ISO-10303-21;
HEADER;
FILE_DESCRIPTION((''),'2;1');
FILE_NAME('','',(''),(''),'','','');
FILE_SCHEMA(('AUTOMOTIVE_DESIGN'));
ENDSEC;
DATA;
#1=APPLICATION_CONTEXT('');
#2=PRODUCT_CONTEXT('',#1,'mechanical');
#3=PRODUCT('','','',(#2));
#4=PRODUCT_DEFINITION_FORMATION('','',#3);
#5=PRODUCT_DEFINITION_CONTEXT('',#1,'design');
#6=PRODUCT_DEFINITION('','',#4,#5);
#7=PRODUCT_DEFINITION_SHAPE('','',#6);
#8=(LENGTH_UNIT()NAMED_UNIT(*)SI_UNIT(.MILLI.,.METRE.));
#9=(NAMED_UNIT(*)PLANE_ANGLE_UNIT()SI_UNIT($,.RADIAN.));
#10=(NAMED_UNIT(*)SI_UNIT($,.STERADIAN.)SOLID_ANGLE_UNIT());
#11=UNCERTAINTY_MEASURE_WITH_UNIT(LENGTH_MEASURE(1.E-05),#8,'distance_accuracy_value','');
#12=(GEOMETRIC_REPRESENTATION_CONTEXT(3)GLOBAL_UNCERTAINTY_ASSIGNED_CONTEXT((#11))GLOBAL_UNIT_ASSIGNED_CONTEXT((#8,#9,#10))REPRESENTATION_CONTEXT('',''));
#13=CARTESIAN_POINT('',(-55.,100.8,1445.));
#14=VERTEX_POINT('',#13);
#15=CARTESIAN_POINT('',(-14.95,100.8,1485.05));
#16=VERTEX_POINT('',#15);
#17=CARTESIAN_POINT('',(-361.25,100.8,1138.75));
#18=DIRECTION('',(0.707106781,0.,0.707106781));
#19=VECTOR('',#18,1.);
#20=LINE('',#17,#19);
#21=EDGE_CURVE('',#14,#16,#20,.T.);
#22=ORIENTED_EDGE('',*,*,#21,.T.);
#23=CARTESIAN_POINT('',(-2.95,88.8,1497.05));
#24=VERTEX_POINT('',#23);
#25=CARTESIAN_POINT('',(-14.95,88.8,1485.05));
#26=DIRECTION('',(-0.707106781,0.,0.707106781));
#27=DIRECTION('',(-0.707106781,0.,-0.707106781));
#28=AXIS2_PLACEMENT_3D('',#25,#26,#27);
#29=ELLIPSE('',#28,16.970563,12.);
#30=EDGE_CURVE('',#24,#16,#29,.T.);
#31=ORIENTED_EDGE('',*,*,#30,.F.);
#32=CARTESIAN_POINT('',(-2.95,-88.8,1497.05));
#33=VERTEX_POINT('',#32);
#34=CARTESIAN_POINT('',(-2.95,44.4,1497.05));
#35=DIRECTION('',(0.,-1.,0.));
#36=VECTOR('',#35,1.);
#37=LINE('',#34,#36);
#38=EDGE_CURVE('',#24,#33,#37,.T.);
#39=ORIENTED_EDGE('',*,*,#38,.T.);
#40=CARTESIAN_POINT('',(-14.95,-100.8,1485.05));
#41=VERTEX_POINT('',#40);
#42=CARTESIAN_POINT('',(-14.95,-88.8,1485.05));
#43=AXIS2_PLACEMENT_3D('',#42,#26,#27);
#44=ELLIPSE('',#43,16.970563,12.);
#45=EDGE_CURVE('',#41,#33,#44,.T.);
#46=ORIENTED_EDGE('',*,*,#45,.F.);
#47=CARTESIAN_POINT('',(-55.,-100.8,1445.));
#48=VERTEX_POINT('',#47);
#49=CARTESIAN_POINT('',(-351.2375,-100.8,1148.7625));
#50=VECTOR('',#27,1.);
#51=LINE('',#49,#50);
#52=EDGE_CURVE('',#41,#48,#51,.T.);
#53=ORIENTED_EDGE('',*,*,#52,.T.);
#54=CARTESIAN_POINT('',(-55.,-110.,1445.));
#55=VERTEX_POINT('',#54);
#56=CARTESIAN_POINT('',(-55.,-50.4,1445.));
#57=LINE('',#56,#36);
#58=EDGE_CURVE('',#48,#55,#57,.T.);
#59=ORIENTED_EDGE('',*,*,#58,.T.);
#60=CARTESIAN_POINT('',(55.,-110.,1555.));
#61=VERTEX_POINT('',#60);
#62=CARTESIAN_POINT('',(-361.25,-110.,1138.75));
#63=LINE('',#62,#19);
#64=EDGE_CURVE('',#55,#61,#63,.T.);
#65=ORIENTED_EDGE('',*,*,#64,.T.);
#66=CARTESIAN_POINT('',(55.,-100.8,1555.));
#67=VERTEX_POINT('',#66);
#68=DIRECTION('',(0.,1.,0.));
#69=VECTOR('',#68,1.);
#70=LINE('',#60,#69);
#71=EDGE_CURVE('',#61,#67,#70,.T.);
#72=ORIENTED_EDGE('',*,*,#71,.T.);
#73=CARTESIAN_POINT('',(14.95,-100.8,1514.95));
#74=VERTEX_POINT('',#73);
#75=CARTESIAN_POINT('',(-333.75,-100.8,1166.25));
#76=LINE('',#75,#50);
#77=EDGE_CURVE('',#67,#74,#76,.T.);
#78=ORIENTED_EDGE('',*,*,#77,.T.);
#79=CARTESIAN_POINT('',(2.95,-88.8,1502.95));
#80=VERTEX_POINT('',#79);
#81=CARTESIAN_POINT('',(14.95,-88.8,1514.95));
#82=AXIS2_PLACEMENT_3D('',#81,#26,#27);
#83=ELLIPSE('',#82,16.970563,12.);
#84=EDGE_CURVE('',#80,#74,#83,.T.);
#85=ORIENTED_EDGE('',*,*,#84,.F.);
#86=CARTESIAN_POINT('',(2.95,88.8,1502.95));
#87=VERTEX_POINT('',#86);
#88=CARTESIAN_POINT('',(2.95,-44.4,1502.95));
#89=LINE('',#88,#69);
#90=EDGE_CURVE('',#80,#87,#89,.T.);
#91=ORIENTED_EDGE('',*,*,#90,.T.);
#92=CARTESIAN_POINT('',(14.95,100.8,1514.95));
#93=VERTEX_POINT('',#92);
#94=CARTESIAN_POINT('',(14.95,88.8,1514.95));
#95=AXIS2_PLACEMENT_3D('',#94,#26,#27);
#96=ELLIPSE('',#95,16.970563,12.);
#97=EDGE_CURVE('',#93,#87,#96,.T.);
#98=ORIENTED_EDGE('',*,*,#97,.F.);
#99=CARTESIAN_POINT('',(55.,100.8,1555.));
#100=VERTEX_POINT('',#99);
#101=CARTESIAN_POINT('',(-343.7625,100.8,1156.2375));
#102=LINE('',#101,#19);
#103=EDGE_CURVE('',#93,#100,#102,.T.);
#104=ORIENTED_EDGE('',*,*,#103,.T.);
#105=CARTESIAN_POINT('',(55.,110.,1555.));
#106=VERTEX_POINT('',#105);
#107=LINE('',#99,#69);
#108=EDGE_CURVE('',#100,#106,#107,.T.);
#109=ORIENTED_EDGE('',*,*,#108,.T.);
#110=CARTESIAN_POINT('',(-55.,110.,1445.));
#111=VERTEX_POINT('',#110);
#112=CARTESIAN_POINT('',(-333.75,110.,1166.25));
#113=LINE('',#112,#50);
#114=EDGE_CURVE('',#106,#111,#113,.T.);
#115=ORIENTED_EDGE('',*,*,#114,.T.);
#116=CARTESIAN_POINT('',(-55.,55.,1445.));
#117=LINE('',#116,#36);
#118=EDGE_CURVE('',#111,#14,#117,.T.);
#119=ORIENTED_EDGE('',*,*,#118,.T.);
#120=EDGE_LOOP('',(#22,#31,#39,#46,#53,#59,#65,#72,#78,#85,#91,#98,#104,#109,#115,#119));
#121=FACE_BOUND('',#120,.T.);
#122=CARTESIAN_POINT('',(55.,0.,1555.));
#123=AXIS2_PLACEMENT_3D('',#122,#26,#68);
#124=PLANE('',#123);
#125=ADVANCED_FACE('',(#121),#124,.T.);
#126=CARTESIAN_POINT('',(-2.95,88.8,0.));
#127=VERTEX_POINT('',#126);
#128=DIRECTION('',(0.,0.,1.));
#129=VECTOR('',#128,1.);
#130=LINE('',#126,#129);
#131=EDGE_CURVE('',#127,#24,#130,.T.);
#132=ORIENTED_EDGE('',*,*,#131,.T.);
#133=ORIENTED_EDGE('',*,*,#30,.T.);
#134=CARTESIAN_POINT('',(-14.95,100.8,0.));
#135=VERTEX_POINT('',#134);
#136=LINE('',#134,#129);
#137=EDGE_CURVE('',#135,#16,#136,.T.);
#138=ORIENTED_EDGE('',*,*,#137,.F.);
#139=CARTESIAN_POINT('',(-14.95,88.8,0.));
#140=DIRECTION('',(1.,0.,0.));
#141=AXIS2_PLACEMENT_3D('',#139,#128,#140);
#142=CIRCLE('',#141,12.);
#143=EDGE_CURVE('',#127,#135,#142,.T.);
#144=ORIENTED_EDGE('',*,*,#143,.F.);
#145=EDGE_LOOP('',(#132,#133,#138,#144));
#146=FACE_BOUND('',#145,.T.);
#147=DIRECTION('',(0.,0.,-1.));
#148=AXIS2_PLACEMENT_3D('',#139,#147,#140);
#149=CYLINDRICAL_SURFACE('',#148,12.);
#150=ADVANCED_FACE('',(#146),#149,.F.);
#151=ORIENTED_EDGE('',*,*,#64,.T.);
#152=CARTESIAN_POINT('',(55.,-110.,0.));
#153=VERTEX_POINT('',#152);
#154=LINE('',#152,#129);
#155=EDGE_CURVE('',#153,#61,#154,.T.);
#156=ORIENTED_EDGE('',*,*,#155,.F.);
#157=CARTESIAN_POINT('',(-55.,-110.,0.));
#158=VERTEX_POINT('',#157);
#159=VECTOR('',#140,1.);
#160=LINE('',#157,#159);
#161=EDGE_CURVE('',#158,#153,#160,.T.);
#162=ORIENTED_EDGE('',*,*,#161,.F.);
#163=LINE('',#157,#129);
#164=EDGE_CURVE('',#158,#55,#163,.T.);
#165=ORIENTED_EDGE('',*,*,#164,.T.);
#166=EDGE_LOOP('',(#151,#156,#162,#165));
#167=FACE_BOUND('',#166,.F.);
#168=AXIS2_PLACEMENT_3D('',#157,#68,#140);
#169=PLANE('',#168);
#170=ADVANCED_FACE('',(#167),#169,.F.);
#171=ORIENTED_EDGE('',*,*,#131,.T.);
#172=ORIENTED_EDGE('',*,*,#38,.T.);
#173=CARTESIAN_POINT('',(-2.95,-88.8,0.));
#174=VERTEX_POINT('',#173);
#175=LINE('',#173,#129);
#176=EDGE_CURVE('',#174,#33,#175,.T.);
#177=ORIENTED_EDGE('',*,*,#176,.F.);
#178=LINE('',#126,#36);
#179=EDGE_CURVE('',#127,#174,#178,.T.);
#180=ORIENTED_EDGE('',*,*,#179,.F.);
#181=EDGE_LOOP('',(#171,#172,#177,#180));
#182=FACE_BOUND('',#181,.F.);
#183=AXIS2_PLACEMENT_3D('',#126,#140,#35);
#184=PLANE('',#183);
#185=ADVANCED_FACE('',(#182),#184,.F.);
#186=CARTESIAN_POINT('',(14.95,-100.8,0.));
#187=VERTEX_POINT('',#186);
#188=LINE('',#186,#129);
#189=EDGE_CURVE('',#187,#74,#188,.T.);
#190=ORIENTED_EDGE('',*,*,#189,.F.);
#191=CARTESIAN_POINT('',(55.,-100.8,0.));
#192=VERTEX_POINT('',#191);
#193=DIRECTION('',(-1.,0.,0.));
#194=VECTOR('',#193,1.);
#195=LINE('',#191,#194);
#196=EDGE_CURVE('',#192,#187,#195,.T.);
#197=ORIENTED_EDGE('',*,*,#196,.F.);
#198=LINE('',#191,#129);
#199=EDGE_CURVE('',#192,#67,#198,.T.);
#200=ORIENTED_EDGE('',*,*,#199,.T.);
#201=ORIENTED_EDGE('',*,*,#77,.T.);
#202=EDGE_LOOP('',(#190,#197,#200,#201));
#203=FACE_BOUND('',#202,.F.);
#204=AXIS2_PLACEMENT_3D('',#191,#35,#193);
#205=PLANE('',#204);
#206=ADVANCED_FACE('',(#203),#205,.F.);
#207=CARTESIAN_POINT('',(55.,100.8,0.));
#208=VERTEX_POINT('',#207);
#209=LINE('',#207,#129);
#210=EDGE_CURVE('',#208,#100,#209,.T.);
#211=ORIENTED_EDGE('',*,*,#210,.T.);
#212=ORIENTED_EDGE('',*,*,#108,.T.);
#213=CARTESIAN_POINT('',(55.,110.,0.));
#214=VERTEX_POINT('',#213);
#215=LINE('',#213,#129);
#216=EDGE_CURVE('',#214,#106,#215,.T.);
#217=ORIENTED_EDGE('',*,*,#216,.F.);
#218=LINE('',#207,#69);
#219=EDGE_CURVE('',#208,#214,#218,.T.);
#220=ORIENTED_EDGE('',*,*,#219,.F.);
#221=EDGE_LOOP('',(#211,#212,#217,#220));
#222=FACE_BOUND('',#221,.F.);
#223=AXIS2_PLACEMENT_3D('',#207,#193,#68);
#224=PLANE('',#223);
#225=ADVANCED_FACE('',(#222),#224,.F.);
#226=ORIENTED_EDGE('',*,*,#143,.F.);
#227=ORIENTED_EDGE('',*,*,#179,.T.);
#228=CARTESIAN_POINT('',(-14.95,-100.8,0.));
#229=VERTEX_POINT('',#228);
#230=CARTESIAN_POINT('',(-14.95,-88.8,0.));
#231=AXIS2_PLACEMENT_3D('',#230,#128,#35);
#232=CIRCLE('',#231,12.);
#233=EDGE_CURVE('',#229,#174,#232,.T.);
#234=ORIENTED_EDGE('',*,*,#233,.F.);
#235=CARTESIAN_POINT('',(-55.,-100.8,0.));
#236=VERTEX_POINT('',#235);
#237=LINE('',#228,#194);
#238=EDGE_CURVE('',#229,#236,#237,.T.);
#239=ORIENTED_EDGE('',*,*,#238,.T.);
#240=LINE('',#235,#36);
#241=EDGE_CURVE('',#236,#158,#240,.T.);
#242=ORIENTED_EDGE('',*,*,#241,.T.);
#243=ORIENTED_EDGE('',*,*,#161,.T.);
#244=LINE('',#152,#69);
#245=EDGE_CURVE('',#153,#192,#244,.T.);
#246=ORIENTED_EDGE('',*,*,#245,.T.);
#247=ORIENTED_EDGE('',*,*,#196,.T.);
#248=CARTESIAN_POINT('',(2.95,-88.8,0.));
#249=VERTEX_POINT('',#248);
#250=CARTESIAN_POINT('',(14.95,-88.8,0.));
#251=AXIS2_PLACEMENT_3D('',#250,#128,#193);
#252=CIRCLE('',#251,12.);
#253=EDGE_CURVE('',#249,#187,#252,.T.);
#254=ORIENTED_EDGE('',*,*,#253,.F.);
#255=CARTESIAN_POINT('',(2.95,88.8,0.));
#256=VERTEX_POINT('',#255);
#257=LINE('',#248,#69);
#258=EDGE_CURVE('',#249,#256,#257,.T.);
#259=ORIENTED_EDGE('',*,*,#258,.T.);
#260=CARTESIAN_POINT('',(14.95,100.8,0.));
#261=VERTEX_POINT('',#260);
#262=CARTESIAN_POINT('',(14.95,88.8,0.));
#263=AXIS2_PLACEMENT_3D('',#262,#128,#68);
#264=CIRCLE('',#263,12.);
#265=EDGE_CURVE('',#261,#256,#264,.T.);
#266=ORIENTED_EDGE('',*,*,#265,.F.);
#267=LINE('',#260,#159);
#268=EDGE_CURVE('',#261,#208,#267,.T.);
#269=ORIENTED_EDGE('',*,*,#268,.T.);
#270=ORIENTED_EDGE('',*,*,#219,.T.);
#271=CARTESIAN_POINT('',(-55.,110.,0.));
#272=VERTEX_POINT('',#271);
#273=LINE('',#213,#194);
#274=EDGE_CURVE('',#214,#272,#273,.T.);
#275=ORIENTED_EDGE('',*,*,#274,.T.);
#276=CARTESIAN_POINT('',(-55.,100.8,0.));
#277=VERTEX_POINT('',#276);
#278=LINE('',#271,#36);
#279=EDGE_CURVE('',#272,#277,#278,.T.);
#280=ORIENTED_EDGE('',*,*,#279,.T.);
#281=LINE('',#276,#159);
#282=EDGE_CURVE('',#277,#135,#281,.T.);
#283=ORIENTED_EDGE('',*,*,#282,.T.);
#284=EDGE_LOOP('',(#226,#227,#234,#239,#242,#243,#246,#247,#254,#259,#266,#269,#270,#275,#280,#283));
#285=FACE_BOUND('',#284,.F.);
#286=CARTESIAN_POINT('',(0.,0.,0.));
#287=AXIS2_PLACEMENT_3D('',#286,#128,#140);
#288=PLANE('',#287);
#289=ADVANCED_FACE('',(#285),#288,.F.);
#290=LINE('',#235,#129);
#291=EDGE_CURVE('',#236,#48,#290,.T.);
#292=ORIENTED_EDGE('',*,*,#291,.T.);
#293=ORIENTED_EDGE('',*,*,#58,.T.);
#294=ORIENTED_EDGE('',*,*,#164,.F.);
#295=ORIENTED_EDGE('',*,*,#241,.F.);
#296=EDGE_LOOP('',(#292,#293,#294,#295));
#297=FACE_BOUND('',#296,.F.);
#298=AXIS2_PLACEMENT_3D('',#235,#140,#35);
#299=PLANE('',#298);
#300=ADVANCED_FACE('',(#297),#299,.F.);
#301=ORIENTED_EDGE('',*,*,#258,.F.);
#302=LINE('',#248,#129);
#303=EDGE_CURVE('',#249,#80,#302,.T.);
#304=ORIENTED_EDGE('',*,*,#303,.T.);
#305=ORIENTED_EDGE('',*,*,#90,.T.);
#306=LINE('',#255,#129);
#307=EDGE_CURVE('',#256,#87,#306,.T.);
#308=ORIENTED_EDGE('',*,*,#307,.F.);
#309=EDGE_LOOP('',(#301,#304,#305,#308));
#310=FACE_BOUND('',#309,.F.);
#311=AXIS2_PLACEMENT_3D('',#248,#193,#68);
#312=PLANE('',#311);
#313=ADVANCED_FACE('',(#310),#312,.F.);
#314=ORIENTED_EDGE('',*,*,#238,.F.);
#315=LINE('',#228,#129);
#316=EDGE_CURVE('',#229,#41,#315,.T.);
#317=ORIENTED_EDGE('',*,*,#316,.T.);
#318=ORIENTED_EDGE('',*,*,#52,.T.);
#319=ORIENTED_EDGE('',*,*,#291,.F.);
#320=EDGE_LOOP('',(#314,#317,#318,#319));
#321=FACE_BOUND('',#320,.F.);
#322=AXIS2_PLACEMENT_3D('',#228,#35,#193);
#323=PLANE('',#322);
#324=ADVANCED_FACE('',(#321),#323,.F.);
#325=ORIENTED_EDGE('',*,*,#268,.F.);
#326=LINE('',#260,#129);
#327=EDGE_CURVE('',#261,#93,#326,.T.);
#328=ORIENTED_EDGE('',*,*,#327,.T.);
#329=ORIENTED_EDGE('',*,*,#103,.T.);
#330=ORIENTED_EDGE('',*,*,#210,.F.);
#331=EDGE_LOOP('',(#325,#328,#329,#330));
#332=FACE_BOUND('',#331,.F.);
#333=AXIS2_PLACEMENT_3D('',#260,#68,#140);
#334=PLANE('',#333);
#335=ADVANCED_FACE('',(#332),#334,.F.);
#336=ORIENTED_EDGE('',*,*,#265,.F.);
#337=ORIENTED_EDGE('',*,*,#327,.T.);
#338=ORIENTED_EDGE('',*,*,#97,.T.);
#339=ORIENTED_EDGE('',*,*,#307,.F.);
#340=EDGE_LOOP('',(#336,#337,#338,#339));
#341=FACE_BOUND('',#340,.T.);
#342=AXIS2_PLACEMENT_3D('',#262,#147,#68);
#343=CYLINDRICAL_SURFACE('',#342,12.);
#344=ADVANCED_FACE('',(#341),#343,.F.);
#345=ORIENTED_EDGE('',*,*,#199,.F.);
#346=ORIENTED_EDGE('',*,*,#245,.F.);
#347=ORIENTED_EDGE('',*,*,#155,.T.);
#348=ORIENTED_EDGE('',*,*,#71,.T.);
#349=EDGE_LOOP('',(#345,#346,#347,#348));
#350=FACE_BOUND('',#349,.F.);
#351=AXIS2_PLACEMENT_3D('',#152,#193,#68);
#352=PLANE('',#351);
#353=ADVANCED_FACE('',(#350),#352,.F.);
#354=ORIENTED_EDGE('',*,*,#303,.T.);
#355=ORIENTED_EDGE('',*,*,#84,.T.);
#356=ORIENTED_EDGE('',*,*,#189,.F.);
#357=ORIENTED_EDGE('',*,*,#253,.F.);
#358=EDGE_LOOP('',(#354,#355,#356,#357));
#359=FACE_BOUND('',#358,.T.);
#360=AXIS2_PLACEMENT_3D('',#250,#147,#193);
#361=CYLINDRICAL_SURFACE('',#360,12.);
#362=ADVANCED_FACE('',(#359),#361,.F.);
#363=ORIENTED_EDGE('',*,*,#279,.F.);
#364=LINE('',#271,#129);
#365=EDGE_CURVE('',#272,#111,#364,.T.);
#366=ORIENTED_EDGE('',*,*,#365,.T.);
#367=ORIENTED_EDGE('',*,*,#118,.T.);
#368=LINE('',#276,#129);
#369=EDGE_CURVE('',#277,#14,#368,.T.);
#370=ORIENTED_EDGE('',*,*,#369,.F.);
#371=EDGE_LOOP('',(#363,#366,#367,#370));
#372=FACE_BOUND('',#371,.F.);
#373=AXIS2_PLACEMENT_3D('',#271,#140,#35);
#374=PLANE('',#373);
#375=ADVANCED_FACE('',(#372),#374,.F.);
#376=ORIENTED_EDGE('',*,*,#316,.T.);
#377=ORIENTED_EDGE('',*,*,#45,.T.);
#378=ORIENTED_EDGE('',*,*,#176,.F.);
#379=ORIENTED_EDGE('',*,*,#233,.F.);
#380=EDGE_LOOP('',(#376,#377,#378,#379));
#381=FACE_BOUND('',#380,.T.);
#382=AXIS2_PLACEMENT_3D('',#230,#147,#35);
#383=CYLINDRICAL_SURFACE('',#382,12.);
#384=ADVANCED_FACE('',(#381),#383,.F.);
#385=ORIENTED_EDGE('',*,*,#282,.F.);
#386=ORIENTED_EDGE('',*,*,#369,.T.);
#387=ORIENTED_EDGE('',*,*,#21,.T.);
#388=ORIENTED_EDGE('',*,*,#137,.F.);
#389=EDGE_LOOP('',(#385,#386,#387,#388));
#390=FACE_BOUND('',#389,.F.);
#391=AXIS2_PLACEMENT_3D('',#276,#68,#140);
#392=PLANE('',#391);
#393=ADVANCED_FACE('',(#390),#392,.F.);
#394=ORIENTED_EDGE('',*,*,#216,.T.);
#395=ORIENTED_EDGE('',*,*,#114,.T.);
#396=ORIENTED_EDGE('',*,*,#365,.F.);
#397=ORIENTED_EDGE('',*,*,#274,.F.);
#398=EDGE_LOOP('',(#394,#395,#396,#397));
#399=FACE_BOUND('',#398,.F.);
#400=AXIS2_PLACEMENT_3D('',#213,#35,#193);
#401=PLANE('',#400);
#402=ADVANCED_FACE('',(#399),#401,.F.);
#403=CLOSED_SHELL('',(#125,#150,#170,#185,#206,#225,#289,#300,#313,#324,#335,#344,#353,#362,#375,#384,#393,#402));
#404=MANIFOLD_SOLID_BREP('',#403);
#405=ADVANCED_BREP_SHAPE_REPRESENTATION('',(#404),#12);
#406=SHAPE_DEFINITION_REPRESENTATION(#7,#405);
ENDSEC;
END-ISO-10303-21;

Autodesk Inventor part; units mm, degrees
ref_plane "Start plane" through (0, 0, 0) normal (0, 0, 1) x (1, 0, 0)
ref_plane "End plane" through (0, 0, 1555) normal (0, 0, 1) x (1, 0, 0)
sketch "Sketch2" plane through (0, 0, 0) normal (0, 0, 1) x (1, 0, 0)
  line L0 (-55, 100.8) -> (-14.95, 100.8)
  line L1 (-55, 110) -> (-55, 100.8)
  line L2 (55, 110) -> (-55, 110)
  line L3 (55, 100.8) -> (55, 110)
  line L4 (14.95, 100.8) -> (55, 100.8)
  line L5 (2.95, -88.8) -> (2.95, 88.8)
  line L6 (55, -100.8) -> (14.95, -100.8)
  line L7 (55, -110) -> (55, -100.8)
  line L8 (-55, -100.8) -> (-55, -110)
  line L9 (-14.95, -100.8) -> (-55, -100.8)
  line L10 (-2.95, 88.8) -> (-2.95, -88.8)
  line L11 (0, -154) -> (0, 154) construction
  line L12 (-2.95, -100.8) -> (2.95, -100.8) construction
  arc A0 (-14.95, -100.8) -> (-2.95, -88.8) centre (-14.95, -88.8) ccw
  arc A1 (-2.95, 88.8) -> (-14.95, 100.8) centre (-14.95, 88.8) ccw
  arc A2 (14.95, 100.8) -> (2.95, 88.8) centre (14.95, 88.8) ccw
  arc A3 (2.95, -88.8) -> (14.95, -100.8) centre (14.95, -88.8) ccw
  line L13 (-77, 0) -> (77, 0) construction
  line L14 (-55, -110) -> (55, -110)
  point P0 (-2.95, 100.8)
  point P1 (2.95, 100.8)
  point P2 (0, 0)
  point P3 (0, -100.8)
  point P4 (0, 0)
  dimension "d1" = 220
  dimension "d3" = 9.2
  dimension "d5" = 5.9
  dimension "d7" = 110
  dimension "d13" = 12
  dimension "d14" = 110
  dimension "d15" = 55
extrude "Body" add sketch "Sketch2" along normal up to surface (1555 mm away) from surface at 0
sketch "Sketch3" plane through (0, 0, 0) normal (0, 0, 1) x (1, 0, 0)
  line L0 (0, 0) -> (10, 0)
ref_plane "Work Plane3" through (0, 0, 0) normal (0, -1, 0) x (1, 0, 0)
ref_plane "Work Plane4" through (55, 0, 1555) normal (-0.7071, 0, 0.7071) x (0.7071, 0, 0.7071)
split "Split1" plane through (55, 0, 1555) removes the side toward (-0.7071, 0, 0.7071)
sketch "Sketch4" plane through (0, 0, 0) normal (0, -1, 0) x (1, 0, 0)
  line L0 (-2, 0) -> (12, 0) projected
  line L1 (-2, 1555) -> (12, 1555) projected
  dimension "d19" = 1555
equation "\"d1\" = ParH"
equation "\"d3\" = t2"
equation "\"d5\" = t1"
equation "\"d7\" = b"
equation "\"d13\" = R1"
equation "\"d14\" = 0.5 * d1"
equation "\"d15\" = 0.5 * d7"
equation "\"d8\" = G_L"
equation "\"b\" = 110"
equation "\"ParH\" = 220"
equation "\"R1\" = 12"
equation "\"G_L\" = d19"
equation "\"t1\" = 5.9"
equation "\"t2\" = 9.2"
equation "\"G_OFFSET_START\" = 0"
equation "\"G_OFFSET_END\" = 55"
equation "\"d17\" = G_OFFSET_END + B_L"
equation "\"B_L\" = 1500"
properties part number "DIN 1025 - IPE 220-1555" material "Steel, Mild"
